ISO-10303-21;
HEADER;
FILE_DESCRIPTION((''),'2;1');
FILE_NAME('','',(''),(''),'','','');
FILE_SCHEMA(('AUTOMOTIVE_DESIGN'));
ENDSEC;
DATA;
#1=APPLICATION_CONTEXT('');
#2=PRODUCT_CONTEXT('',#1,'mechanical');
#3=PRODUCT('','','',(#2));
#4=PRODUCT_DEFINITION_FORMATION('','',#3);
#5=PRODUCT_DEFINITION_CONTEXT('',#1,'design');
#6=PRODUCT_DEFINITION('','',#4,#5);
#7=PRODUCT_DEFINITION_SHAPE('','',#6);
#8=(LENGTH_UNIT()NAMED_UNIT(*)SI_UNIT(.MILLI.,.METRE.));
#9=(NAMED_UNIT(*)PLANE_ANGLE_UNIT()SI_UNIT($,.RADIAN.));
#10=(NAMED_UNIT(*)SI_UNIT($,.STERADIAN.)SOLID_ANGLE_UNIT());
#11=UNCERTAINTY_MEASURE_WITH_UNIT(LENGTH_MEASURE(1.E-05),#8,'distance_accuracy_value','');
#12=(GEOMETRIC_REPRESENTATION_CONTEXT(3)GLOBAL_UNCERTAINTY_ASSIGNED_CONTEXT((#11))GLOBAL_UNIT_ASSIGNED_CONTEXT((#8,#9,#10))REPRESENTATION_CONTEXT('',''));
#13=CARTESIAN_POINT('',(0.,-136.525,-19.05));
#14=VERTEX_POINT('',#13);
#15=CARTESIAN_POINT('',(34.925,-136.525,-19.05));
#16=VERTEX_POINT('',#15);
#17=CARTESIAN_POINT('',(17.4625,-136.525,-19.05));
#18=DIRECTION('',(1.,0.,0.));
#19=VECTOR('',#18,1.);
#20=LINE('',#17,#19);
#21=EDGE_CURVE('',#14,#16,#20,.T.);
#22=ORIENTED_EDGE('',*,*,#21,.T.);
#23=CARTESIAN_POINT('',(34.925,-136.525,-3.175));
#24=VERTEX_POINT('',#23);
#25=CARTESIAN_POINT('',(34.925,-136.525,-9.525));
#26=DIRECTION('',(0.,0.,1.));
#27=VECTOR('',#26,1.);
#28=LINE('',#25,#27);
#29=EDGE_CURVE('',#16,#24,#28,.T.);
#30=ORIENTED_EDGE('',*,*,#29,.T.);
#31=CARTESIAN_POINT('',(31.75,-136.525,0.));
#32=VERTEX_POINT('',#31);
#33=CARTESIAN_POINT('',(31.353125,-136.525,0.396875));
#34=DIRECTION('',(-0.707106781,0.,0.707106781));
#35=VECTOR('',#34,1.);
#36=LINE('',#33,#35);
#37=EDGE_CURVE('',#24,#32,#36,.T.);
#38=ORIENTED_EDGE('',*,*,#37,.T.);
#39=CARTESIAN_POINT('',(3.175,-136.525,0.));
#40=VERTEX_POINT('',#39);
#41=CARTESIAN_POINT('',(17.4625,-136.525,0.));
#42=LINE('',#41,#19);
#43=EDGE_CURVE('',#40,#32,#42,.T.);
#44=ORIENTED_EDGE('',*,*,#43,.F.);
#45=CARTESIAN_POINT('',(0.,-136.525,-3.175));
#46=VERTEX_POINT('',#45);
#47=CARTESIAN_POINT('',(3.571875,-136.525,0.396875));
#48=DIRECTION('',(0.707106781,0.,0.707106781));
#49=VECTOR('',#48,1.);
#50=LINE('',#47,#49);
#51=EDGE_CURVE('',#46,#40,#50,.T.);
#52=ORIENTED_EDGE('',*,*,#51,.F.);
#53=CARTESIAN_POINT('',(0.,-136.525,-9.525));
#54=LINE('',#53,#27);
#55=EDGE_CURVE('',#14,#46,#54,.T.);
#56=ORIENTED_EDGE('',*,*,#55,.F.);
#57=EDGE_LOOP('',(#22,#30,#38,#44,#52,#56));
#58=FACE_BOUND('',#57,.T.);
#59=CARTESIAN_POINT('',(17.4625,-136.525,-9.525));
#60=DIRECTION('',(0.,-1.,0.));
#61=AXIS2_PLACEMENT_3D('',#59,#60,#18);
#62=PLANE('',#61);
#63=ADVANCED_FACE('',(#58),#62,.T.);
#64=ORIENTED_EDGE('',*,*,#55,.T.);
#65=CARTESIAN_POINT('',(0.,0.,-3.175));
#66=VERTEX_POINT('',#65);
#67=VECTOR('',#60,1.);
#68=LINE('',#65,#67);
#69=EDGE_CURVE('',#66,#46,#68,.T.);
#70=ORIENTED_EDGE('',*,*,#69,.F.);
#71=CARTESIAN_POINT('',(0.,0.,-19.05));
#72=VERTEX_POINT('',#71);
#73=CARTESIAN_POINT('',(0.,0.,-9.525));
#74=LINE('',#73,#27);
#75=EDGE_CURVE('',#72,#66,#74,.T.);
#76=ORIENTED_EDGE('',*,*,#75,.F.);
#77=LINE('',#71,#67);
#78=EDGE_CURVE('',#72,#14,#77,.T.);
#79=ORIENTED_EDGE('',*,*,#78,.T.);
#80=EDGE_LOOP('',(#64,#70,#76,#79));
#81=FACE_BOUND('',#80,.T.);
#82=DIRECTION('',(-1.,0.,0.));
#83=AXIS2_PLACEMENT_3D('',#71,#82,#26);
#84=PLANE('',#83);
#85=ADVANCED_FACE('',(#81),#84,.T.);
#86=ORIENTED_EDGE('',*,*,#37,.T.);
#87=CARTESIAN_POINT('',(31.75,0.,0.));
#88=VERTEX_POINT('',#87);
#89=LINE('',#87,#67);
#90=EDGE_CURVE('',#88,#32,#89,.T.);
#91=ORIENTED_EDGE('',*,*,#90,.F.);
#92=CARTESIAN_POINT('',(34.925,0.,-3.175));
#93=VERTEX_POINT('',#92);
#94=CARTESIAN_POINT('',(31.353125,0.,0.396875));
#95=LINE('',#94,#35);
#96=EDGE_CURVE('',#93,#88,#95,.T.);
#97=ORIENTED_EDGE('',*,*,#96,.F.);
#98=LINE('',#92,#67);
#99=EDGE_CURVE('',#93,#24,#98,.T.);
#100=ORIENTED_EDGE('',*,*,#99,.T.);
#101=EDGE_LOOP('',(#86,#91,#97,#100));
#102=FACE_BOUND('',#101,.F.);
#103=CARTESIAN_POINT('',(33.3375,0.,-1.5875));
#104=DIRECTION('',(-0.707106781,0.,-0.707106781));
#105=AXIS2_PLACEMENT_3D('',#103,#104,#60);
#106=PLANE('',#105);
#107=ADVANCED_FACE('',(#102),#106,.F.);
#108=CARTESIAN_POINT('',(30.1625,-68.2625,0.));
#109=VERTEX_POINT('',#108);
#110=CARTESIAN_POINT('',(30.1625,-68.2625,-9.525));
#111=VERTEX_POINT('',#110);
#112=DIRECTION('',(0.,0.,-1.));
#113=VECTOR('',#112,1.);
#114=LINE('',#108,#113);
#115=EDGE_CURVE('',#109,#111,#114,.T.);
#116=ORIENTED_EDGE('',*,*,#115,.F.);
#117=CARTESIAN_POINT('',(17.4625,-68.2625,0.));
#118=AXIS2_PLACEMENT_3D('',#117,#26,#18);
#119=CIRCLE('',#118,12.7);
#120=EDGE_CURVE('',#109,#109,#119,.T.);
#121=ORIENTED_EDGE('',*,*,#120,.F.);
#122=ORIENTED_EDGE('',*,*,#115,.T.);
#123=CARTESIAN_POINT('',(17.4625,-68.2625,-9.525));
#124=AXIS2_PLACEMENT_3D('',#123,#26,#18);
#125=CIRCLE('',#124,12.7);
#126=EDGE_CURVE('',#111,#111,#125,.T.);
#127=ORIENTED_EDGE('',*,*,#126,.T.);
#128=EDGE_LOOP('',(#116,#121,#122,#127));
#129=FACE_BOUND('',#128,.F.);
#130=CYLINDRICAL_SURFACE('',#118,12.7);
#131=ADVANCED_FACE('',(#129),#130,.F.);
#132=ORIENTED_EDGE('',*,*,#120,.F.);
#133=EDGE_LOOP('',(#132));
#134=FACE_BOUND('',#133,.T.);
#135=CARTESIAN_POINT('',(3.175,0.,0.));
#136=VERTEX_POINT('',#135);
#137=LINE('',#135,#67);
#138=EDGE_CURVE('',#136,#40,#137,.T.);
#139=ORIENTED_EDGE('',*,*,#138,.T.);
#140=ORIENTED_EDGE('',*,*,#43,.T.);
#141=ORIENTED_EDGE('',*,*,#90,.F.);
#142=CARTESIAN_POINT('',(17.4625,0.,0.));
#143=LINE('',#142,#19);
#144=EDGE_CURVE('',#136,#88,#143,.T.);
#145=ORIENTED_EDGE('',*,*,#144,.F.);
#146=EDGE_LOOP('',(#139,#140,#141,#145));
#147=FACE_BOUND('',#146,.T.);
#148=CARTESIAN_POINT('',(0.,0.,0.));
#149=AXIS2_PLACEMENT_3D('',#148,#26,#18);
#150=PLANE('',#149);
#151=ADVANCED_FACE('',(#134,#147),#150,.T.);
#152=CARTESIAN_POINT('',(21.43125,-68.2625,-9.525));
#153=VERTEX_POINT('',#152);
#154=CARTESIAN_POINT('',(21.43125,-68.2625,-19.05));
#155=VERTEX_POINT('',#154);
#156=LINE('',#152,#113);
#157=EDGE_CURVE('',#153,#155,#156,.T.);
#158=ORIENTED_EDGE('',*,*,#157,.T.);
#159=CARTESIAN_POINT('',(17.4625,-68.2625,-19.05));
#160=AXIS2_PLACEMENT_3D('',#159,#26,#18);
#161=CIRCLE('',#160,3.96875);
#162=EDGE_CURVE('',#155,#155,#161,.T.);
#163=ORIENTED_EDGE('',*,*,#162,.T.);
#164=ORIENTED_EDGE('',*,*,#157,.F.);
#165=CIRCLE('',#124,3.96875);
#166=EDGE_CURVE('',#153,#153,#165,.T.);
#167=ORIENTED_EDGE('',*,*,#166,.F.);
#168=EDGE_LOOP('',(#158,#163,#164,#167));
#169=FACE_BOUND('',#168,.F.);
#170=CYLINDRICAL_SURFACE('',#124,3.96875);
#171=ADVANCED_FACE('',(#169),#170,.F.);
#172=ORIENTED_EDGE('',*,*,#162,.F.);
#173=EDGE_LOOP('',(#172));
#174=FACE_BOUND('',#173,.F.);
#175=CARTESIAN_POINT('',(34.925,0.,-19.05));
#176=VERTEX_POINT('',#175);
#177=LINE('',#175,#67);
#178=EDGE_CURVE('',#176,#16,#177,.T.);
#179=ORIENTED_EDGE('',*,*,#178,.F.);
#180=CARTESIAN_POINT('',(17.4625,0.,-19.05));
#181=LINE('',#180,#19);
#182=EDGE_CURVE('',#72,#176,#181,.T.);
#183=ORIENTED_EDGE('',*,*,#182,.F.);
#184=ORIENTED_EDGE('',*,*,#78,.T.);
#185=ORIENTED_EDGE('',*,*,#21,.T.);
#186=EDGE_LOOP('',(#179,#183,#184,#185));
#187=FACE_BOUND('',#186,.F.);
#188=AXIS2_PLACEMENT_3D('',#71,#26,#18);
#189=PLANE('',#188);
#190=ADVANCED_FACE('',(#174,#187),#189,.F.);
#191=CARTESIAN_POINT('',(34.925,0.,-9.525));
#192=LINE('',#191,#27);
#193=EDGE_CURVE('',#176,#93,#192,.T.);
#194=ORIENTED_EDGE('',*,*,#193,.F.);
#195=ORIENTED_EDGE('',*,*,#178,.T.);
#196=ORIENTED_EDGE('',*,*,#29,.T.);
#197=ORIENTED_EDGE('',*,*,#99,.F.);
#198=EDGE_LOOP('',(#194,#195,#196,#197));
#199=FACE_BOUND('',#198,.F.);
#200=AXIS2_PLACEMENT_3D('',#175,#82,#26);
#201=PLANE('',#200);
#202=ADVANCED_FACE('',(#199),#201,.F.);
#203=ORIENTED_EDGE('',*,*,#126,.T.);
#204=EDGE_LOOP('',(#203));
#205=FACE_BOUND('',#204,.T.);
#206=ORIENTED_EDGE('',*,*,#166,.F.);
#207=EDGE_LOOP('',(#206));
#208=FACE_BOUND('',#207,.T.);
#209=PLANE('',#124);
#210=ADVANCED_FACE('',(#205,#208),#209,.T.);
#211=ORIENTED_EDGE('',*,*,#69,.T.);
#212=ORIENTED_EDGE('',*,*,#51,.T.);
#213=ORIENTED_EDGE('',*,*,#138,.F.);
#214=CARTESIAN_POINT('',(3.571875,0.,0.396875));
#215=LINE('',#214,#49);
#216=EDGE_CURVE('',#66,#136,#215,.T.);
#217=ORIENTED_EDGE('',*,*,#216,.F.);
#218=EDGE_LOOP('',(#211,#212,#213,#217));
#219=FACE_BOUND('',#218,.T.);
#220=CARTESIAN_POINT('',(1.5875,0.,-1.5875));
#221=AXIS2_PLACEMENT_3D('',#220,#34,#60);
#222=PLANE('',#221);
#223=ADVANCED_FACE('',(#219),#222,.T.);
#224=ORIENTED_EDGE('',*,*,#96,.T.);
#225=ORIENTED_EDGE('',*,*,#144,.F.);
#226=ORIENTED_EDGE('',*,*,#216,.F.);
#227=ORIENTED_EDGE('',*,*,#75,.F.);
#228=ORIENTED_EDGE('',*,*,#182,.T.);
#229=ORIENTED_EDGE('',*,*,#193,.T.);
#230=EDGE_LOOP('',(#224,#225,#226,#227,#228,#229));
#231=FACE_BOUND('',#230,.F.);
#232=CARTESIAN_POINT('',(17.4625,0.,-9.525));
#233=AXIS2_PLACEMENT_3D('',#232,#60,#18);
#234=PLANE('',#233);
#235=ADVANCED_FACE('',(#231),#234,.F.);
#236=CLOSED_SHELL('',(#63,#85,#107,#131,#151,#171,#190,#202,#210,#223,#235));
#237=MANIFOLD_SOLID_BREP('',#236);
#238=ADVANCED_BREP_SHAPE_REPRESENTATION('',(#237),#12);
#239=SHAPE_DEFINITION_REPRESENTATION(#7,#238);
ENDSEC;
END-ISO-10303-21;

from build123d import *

# Parameters (mm, degrees)
F0_W     = 34.925
F0_H     = 19.05
F1_DEPTH = 136.525
F2_SIZE  = 3.175
F3_R     = 12.7
F4_DEPTH = 9.525
F5_R     = 3.96875
F6_DEPTH = 25.4


with BuildPart() as f1:
    # F0 (on Front) → F1 (new body)
    with BuildSketch(Plane.XZ):
        with Locations((17.4625, -9.525)):
            Rectangle(F0_W, F0_H)
    extrude(amount=F1_DEPTH)

    # F2
    f2_edges = [f1.edges().sort_by_distance(p)[0] for p in [
        (34.925, -68.2625, 0),
        (0, -68.2625, 0),
    ]]
    chamfer(f2_edges, length=F2_SIZE)

    # F3 (on face) → F4 (cut)
    with BuildSketch(Plane.XY):
        with Locations((17.4625, -68.2625)):
            Circle(F3_R)
    extrude(amount=-F4_DEPTH, mode=Mode.SUBTRACT)

    # F5 (on face) → F6 (cut)
    with BuildSketch(Plane.XY.offset(-9.525)):
        with Locations((17.4625, -68.2625)):
            Circle(F5_R)
    extrude(amount=-F6_DEPTH, mode=Mode.SUBTRACT)


solid = f1.part
